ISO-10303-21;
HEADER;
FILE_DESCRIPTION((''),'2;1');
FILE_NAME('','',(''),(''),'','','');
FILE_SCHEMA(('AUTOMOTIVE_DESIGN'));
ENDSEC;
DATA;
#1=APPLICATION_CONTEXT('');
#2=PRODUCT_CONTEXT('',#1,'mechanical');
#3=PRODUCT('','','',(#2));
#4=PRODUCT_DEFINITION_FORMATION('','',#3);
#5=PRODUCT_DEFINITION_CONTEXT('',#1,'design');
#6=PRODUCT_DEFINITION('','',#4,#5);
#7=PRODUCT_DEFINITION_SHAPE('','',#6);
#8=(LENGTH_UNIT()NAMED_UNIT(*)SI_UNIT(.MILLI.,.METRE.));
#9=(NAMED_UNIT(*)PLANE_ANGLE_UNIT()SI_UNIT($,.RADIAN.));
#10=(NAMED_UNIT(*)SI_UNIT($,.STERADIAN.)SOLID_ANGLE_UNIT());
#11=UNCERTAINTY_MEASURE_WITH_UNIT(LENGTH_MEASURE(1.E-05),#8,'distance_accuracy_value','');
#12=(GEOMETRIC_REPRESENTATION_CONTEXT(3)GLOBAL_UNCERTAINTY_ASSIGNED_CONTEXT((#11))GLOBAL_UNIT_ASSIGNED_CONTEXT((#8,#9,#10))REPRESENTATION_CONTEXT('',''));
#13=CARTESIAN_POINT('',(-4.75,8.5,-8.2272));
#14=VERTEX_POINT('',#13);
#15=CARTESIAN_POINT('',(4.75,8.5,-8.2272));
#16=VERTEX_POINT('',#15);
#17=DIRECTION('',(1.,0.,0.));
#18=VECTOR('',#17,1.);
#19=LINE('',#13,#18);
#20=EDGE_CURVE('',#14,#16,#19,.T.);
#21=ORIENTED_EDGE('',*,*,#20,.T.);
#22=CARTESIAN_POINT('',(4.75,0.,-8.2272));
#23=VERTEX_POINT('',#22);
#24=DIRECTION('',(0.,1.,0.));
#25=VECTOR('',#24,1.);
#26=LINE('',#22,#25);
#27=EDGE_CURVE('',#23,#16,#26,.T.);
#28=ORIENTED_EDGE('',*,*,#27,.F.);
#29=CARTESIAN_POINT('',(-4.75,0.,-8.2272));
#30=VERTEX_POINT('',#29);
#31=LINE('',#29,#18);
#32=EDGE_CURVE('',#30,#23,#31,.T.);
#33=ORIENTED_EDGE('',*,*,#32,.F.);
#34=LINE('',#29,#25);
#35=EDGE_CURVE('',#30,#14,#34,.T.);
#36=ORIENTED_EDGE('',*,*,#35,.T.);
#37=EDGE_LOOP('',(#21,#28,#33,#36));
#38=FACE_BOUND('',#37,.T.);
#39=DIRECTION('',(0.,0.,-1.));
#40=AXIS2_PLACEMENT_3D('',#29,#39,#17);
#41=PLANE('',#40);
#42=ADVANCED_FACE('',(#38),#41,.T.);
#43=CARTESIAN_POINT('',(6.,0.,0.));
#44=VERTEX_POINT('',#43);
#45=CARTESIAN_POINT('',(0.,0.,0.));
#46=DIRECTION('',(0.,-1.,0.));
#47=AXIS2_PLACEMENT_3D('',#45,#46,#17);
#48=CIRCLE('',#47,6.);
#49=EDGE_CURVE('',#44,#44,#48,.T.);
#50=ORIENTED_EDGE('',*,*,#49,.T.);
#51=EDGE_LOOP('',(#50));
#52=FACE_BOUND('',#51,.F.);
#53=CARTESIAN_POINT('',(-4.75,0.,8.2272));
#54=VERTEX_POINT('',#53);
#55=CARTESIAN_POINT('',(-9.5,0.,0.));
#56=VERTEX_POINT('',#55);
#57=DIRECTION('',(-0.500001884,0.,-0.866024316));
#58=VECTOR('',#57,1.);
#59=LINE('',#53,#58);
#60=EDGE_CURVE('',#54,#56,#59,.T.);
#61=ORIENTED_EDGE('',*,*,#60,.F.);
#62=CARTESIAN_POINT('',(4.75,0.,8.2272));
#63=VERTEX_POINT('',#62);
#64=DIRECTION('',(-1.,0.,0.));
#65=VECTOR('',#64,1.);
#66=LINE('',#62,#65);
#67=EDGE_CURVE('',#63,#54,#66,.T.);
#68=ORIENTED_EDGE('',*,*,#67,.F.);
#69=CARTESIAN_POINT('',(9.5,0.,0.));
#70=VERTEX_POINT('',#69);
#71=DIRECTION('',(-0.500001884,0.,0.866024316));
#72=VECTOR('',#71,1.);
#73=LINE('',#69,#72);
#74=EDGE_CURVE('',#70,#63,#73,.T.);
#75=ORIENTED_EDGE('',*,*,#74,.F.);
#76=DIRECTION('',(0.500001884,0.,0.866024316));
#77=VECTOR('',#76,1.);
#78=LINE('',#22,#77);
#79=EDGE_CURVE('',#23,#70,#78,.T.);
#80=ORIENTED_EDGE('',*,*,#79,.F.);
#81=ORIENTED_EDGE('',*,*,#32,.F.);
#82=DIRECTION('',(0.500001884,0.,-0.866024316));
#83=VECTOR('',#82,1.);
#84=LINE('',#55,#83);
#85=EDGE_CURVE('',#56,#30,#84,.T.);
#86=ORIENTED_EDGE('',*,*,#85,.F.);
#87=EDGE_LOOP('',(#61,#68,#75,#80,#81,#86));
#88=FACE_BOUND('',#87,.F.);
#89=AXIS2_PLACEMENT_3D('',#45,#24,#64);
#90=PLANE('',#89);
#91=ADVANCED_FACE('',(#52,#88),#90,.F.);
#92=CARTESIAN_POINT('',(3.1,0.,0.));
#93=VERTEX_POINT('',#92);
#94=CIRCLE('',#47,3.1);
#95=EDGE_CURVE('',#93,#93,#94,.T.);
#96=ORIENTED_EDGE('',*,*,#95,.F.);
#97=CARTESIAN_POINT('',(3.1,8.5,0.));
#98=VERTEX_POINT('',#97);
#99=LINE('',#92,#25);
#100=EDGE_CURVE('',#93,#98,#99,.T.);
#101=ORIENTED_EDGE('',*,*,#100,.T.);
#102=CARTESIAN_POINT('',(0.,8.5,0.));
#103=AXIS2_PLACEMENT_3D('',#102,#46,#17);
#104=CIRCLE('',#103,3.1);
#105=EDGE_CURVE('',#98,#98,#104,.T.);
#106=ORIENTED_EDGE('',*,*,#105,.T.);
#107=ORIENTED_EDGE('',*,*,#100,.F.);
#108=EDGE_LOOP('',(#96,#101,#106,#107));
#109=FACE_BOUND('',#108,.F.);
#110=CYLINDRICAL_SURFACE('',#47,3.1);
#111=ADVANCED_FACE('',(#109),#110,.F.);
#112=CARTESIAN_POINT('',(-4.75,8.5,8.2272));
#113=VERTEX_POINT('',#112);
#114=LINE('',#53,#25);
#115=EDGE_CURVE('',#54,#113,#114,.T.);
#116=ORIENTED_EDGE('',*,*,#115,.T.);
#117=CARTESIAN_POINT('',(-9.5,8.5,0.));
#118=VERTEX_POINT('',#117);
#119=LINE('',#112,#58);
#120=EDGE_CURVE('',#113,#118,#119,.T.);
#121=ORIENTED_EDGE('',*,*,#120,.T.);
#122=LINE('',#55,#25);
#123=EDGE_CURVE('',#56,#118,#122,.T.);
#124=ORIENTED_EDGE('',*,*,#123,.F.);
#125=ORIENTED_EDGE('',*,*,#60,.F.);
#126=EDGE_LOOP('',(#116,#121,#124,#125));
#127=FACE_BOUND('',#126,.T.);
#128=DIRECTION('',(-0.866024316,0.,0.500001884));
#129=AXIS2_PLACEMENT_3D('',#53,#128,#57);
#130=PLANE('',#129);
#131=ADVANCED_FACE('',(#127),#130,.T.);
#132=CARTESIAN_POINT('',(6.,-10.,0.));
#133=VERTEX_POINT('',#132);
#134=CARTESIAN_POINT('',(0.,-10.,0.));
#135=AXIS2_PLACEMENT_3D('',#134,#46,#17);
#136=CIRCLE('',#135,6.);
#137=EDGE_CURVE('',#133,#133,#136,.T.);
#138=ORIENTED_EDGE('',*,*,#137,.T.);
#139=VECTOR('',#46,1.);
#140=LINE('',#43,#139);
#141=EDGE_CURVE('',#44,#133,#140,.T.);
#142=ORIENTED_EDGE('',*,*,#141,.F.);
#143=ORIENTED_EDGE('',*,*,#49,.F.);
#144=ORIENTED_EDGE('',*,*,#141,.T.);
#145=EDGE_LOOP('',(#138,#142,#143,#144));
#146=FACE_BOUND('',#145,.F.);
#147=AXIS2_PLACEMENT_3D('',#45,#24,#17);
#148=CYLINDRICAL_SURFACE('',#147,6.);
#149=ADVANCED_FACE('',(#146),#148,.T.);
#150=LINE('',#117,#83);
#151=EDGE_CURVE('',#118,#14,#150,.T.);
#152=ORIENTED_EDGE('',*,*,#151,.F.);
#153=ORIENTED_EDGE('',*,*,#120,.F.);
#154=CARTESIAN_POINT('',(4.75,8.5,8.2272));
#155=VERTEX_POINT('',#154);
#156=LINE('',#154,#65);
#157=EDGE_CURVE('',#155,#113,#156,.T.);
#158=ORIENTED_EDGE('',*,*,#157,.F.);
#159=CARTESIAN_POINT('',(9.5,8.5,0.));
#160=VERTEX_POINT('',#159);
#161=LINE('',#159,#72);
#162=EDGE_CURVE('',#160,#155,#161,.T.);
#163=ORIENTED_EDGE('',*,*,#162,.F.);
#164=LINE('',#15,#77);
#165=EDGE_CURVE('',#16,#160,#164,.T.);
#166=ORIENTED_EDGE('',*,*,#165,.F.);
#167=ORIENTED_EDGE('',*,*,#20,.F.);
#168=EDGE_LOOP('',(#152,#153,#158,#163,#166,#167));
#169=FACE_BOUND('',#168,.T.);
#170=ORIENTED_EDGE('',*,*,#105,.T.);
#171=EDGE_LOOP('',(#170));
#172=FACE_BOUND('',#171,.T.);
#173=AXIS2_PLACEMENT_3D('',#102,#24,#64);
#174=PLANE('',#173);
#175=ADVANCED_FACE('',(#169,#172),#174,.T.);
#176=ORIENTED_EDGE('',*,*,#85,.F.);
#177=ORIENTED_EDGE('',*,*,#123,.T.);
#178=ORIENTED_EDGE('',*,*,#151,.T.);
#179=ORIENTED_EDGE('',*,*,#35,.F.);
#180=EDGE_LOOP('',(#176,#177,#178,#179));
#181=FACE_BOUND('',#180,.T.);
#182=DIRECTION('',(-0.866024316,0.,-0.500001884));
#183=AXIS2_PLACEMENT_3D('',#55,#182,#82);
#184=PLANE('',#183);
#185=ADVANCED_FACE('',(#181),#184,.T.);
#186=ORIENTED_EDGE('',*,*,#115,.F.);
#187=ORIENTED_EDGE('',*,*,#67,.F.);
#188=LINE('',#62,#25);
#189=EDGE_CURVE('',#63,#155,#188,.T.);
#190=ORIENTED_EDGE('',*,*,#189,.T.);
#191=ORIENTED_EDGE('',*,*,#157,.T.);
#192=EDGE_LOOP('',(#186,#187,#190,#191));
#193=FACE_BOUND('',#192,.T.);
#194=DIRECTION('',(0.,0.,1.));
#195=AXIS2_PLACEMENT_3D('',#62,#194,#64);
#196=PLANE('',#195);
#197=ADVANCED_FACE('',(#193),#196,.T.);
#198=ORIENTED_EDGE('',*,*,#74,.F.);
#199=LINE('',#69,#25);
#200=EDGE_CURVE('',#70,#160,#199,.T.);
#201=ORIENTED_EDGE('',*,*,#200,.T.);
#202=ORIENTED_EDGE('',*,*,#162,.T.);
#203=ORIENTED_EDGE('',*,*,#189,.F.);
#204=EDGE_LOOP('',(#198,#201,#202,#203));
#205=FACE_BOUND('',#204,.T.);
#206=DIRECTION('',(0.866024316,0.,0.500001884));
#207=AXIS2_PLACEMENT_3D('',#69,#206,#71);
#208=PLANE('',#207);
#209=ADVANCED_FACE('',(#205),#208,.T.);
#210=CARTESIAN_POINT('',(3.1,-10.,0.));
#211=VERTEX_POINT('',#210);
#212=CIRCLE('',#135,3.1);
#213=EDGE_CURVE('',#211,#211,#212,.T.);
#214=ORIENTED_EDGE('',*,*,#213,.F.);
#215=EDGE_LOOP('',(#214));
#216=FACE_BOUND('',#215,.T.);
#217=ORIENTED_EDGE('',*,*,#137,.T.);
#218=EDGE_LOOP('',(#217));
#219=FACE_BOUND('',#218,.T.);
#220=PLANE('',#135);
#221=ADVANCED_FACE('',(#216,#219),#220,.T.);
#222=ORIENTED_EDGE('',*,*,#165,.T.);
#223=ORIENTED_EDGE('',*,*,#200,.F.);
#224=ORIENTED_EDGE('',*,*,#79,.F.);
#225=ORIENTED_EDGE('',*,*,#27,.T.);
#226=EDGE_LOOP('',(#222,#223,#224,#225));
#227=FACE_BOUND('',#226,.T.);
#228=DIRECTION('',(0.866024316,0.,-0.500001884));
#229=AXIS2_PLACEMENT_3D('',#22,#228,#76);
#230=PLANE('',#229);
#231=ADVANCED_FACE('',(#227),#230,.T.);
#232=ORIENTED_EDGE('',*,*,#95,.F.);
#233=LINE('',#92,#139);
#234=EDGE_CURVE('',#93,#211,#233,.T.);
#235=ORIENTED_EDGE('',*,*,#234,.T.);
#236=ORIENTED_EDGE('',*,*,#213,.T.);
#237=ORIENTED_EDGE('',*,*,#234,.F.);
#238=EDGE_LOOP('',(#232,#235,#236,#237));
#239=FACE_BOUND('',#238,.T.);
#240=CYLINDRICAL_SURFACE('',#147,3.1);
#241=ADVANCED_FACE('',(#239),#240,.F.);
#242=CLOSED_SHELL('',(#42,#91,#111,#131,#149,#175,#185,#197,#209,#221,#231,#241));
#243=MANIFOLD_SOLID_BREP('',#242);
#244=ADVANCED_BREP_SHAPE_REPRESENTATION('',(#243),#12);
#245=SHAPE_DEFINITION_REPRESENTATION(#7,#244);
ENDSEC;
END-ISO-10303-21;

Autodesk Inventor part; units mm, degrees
ref_plane "YZ Plane" through (0, 0, 0) normal (1, 0, 0) x (0, 1, 0)
ref_plane "XZ Plane" through (0, 0, 0) normal (0, 1, 0) x (-1, 0, 0)
ref_plane "XY Plane" through (0, 0, 0) normal (0, 0, 1) x (1, 0, 0)
sketch "Sketch1" plane through (0, 0, 0) normal (0, 1, 0) x (-1, 0, 0)
  line L0 (-9.5, 0) -> (-4.75, 8.2272)
  line L1 (-4.75, 8.2272) -> (4.75, 8.2272)
  line L2 (4.75, 8.2272) -> (9.5, 0)
  line L3 (9.5, 0) -> (4.75, -8.2272)
  line L4 (4.75, -8.2272) -> (-4.75, -8.2272)
  line L5 (-4.75, -8.2272) -> (-9.5, 0)
  point P0 (0, 0)
  point P1 (0, 0)
  dimension "d2" = 9.5
extrude "Extrusion1" add sketch "Sketch1" along normal blind 8.5
sketch "Sketch2" plane through (0, 0, 0) normal (0, -1, 0) x (1, 0, 0)
  circle A0 centre (0, 0) radius 6
  circle A1 centre (0, 0) radius 3.1
  dimension "d5" = 12
  dimension "d6" = 6.2
extrude "Extrusion2" add sketch "Sketch2" along normal blind 10
sketch "Sketch3" plane through (0, 0, 0) normal (0, -1, 0) x (1, 0, 0)
  circle A0 centre (0, 0) radius 3.1
extrude "Extrusion3" cut sketch "Sketch3" against normal through all
thread "Thread1" size "M12x1.75" class "6g" standard "ANSI Metric M Profile" full length
properties part number "Premistoppa"
